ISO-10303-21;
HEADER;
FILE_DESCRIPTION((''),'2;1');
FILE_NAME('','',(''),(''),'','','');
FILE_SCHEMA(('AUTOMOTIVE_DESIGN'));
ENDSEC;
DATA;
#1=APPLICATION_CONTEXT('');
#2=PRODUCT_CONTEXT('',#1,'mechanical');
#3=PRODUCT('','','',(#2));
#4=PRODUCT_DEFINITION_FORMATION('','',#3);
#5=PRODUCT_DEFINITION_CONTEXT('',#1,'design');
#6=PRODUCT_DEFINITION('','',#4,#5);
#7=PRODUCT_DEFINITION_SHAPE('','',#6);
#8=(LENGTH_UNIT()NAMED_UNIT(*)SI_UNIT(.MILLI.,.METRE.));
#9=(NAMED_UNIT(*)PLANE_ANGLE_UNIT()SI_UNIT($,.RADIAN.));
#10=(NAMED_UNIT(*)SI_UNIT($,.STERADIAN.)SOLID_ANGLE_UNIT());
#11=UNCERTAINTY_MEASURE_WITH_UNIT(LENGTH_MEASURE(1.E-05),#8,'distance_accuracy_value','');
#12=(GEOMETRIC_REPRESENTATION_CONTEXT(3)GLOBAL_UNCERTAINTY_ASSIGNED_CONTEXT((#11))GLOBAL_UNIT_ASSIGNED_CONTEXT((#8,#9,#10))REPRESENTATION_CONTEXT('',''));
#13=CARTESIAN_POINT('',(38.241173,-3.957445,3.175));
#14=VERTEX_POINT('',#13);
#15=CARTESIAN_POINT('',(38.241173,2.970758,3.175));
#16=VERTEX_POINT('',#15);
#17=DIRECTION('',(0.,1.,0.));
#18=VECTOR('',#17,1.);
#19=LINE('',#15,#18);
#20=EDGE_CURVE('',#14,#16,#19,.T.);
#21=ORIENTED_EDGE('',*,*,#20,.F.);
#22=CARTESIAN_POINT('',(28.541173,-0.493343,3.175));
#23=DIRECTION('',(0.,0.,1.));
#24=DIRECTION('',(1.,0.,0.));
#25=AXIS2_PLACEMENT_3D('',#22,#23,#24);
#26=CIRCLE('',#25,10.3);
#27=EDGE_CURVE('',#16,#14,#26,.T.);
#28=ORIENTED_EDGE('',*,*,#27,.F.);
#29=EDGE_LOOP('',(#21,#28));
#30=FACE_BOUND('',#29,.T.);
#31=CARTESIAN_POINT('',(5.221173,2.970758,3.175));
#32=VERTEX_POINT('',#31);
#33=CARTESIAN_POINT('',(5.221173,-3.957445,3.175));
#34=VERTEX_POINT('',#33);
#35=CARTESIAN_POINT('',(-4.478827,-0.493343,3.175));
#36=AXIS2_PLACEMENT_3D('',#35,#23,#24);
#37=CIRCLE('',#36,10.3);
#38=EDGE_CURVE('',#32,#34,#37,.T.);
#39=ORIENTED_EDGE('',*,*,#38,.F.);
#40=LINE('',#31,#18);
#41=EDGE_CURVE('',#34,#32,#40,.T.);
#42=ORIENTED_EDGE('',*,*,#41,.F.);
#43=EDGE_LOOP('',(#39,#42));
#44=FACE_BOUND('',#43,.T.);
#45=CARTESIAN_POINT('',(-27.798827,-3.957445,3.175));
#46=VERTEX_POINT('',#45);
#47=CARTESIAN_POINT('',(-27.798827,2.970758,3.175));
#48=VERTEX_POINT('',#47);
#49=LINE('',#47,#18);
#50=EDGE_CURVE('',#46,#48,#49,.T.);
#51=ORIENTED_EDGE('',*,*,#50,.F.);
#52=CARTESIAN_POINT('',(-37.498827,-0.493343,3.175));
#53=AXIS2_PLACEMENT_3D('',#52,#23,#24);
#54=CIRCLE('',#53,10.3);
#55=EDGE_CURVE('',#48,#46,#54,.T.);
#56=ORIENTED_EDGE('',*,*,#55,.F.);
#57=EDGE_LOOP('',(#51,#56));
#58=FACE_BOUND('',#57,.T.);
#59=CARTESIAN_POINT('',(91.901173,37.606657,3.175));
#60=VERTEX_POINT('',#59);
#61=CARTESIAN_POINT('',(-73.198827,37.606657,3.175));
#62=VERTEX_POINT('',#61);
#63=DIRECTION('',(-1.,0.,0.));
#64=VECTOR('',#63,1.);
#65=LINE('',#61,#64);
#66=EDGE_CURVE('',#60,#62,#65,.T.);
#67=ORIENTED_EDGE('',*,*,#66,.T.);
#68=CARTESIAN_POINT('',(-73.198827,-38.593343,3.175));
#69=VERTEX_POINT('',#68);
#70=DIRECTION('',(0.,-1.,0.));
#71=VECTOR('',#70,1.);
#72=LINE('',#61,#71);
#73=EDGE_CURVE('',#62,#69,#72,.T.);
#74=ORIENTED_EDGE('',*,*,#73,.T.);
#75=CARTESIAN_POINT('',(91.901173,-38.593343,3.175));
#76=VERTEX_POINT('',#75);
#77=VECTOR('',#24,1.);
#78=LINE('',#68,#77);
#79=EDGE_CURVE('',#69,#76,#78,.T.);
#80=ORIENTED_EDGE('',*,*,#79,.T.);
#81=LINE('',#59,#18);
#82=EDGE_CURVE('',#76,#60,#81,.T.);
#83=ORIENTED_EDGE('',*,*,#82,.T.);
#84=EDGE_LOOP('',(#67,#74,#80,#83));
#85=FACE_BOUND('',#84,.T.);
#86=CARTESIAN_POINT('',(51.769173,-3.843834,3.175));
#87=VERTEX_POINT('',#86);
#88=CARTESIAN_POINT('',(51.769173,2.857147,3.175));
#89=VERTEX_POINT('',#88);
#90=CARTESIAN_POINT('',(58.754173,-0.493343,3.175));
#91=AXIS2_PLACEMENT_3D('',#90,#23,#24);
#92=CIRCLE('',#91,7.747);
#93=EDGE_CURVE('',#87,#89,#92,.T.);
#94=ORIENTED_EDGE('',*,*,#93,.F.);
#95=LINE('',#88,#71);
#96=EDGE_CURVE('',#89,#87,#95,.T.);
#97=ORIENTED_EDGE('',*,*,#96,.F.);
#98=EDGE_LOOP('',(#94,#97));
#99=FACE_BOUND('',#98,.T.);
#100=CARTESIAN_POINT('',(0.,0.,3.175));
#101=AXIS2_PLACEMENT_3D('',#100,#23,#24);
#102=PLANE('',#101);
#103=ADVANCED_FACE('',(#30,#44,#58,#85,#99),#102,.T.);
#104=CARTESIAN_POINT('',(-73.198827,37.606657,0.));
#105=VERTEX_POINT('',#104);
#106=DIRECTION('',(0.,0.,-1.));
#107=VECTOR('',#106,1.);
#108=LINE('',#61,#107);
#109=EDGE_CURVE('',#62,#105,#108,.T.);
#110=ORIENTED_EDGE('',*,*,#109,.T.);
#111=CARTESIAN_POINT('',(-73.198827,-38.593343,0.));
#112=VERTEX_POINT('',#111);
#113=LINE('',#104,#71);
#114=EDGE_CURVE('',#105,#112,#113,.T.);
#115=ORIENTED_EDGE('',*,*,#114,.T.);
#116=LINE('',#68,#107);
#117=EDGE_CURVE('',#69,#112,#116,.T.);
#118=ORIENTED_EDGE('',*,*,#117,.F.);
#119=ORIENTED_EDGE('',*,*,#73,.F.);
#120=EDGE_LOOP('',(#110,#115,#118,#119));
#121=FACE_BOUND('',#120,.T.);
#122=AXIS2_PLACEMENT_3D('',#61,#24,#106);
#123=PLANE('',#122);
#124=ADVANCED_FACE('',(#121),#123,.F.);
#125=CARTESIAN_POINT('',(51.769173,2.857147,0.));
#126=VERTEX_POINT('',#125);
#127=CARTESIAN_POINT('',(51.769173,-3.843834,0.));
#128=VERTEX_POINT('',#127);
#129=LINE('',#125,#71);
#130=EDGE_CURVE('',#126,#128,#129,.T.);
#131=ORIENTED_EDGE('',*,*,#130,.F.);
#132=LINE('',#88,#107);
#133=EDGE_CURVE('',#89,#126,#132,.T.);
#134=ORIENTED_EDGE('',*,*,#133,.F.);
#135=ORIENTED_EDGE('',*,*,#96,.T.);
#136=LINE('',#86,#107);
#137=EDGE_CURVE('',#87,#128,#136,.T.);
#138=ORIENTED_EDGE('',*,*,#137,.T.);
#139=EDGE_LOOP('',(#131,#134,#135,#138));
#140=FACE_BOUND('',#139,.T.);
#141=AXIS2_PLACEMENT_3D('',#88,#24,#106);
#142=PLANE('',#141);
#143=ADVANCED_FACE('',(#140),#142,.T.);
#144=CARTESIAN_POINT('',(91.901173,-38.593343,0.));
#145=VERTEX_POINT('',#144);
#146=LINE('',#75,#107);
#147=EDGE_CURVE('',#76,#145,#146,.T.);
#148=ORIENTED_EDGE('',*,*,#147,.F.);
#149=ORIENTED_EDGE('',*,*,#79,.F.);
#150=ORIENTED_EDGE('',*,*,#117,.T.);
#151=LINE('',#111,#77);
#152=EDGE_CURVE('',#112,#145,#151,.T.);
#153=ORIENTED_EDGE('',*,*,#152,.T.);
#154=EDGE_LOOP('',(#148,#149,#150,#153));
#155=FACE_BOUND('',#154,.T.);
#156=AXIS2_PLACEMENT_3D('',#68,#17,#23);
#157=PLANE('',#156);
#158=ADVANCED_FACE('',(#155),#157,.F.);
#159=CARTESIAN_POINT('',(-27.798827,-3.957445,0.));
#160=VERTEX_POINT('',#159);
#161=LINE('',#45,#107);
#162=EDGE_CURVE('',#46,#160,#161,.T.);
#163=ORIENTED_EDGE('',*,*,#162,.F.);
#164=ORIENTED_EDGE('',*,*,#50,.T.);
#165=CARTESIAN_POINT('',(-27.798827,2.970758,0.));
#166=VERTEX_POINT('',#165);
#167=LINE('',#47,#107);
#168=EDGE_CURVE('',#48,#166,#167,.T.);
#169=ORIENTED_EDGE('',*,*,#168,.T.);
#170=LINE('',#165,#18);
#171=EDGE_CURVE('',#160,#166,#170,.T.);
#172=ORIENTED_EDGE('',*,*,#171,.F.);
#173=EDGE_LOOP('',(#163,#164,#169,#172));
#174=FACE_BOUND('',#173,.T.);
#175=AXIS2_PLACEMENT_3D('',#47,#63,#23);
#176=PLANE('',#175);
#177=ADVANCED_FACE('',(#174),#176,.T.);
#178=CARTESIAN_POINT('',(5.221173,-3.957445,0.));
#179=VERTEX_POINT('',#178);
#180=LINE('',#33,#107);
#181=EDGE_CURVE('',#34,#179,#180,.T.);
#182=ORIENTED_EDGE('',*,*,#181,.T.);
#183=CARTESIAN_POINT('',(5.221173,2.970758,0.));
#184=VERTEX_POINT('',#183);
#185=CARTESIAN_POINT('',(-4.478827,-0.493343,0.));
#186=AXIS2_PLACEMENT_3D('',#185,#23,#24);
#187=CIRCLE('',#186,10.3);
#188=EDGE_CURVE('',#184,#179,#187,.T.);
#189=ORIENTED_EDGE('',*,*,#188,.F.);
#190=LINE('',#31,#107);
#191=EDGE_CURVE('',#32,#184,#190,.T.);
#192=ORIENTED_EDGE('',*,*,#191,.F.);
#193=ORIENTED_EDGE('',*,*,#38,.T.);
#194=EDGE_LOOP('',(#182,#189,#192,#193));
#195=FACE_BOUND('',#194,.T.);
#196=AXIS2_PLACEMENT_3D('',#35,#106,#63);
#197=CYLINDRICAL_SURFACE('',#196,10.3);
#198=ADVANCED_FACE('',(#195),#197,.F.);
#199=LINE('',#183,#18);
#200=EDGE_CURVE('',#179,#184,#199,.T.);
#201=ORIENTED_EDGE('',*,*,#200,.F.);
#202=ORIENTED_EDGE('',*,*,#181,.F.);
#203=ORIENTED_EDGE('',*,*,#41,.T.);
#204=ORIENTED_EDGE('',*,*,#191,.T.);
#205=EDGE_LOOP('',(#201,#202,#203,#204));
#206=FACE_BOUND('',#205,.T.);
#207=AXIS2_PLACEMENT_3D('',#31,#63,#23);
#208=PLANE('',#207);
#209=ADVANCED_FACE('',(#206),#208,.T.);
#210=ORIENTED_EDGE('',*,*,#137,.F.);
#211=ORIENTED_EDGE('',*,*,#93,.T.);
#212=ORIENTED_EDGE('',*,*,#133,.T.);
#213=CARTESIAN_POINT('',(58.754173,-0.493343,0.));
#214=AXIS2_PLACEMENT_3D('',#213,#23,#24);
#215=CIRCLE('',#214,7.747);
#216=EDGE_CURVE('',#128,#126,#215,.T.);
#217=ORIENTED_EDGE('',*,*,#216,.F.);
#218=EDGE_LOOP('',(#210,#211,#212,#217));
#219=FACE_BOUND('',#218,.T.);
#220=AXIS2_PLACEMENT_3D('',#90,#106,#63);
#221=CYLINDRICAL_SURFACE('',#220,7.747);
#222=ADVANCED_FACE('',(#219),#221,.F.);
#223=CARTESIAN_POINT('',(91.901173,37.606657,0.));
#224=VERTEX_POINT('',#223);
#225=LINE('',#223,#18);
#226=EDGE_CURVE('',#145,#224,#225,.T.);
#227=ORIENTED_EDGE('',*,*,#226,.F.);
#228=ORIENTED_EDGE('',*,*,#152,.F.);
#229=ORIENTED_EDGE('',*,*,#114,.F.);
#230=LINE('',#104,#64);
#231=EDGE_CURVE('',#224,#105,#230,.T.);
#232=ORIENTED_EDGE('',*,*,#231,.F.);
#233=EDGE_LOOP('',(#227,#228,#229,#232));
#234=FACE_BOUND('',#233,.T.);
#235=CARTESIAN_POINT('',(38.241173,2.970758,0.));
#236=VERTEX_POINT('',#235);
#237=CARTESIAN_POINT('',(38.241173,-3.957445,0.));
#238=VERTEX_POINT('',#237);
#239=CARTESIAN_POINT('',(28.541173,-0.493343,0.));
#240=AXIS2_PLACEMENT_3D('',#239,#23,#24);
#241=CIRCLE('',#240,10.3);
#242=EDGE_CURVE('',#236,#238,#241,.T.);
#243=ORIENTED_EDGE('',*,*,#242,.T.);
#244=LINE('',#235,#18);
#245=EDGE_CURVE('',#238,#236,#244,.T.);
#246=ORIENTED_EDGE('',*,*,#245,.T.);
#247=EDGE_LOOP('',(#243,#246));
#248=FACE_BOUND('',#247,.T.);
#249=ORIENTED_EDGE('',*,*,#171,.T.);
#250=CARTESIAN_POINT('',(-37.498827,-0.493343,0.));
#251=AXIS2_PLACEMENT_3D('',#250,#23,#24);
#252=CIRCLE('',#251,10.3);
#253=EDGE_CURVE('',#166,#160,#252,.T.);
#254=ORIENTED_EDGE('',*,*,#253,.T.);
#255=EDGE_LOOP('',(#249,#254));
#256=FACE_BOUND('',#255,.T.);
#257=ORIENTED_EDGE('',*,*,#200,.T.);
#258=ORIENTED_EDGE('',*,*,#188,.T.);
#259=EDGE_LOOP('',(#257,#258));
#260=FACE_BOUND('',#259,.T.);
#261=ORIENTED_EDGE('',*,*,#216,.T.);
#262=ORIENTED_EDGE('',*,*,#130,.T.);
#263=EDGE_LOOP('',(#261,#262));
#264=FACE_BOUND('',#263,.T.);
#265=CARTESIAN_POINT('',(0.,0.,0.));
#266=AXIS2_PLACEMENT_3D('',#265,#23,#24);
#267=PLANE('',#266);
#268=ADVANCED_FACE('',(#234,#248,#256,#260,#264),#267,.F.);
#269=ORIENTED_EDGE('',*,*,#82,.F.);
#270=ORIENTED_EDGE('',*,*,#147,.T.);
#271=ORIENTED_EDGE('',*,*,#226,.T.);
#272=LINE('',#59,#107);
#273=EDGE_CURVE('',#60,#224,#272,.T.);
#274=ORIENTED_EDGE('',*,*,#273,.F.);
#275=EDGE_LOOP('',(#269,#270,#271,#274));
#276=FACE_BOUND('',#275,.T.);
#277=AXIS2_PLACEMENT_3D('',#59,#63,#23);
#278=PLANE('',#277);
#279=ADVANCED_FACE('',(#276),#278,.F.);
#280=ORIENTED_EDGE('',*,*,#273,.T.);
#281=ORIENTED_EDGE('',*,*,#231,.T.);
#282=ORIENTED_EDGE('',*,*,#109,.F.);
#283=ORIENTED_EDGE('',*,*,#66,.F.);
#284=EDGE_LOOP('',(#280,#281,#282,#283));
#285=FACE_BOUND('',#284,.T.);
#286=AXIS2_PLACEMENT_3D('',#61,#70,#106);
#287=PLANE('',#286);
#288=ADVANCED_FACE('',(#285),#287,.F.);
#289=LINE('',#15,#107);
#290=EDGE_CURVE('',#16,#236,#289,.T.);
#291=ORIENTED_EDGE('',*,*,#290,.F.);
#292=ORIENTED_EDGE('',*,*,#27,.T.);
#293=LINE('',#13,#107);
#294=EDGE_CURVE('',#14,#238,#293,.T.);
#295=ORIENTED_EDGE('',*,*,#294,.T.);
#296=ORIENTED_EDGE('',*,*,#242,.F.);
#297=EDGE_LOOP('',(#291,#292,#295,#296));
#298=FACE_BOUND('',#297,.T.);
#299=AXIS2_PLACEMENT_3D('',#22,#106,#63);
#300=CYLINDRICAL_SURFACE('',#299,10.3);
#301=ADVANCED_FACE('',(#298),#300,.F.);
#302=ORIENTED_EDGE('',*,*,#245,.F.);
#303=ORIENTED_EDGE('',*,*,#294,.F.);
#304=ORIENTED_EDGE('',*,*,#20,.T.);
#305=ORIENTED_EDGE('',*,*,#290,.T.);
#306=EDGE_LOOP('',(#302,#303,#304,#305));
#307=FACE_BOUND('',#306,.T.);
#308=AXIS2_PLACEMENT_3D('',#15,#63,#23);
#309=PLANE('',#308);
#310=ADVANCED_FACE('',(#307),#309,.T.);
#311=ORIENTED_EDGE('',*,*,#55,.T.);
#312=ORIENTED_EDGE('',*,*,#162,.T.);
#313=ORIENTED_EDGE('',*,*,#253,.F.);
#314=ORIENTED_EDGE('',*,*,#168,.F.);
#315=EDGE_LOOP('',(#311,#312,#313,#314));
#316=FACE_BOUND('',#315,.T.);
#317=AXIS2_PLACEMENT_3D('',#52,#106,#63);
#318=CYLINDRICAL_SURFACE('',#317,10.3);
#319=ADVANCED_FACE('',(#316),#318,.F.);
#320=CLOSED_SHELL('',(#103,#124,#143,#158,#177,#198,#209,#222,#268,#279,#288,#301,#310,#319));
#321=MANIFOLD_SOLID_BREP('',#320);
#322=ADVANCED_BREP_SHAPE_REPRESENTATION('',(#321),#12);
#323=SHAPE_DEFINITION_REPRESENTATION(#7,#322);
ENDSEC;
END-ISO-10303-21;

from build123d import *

# Parameters (mm, degrees)
SKETCH1_W           = 165.1
SKETCH1_H           = 76.2
BOSS_EXTRUDE1_DEPTH = 3.175


with BuildPart() as part:
    # Sketch1 → Boss-Extrude1 (new body)
    with BuildSketch(Plane.XY):
        with Locations((9.351172696, -0.493343457)):
            Rectangle(SKETCH1_W, SKETCH1_H)
        with BuildLine():
            Line((51.769172696, 2.857146657), (51.769172696, -3.84383357))
            ThreePointArc((51.769172696, -3.84383357), (66.501172696, -0.493343457), (51.769172696, 2.857146657))
        make_face(mode=Mode.SUBTRACT)
        with BuildLine():
            Line((-27.798827304, 2.970758158), (-27.798827304, -3.957445072))
            ThreePointArc((-27.798827304, -3.957445072), (-47.798827304, -0.493343457), (-27.798827304, 2.970758158))
        make_face(mode=Mode.SUBTRACT)
        with BuildLine():
            Line((5.221172696, 2.970758158), (5.221172696, -3.957445072))
            ThreePointArc((5.221172696, -3.957445072), (-14.778827304, -0.493343457), (5.221172696, 2.970758158))
        make_face(mode=Mode.SUBTRACT)
        with BuildLine():
            Line((38.241172696, 2.970758158), (38.241172696, -3.957445072))
            ThreePointArc((38.241172696, -3.957445072), (18.241172696, -0.493343457), (38.241172696, 2.970758158))
        make_face(mode=Mode.SUBTRACT)
    extrude(amount=BOSS_EXTRUDE1_DEPTH)


solid = part.part
